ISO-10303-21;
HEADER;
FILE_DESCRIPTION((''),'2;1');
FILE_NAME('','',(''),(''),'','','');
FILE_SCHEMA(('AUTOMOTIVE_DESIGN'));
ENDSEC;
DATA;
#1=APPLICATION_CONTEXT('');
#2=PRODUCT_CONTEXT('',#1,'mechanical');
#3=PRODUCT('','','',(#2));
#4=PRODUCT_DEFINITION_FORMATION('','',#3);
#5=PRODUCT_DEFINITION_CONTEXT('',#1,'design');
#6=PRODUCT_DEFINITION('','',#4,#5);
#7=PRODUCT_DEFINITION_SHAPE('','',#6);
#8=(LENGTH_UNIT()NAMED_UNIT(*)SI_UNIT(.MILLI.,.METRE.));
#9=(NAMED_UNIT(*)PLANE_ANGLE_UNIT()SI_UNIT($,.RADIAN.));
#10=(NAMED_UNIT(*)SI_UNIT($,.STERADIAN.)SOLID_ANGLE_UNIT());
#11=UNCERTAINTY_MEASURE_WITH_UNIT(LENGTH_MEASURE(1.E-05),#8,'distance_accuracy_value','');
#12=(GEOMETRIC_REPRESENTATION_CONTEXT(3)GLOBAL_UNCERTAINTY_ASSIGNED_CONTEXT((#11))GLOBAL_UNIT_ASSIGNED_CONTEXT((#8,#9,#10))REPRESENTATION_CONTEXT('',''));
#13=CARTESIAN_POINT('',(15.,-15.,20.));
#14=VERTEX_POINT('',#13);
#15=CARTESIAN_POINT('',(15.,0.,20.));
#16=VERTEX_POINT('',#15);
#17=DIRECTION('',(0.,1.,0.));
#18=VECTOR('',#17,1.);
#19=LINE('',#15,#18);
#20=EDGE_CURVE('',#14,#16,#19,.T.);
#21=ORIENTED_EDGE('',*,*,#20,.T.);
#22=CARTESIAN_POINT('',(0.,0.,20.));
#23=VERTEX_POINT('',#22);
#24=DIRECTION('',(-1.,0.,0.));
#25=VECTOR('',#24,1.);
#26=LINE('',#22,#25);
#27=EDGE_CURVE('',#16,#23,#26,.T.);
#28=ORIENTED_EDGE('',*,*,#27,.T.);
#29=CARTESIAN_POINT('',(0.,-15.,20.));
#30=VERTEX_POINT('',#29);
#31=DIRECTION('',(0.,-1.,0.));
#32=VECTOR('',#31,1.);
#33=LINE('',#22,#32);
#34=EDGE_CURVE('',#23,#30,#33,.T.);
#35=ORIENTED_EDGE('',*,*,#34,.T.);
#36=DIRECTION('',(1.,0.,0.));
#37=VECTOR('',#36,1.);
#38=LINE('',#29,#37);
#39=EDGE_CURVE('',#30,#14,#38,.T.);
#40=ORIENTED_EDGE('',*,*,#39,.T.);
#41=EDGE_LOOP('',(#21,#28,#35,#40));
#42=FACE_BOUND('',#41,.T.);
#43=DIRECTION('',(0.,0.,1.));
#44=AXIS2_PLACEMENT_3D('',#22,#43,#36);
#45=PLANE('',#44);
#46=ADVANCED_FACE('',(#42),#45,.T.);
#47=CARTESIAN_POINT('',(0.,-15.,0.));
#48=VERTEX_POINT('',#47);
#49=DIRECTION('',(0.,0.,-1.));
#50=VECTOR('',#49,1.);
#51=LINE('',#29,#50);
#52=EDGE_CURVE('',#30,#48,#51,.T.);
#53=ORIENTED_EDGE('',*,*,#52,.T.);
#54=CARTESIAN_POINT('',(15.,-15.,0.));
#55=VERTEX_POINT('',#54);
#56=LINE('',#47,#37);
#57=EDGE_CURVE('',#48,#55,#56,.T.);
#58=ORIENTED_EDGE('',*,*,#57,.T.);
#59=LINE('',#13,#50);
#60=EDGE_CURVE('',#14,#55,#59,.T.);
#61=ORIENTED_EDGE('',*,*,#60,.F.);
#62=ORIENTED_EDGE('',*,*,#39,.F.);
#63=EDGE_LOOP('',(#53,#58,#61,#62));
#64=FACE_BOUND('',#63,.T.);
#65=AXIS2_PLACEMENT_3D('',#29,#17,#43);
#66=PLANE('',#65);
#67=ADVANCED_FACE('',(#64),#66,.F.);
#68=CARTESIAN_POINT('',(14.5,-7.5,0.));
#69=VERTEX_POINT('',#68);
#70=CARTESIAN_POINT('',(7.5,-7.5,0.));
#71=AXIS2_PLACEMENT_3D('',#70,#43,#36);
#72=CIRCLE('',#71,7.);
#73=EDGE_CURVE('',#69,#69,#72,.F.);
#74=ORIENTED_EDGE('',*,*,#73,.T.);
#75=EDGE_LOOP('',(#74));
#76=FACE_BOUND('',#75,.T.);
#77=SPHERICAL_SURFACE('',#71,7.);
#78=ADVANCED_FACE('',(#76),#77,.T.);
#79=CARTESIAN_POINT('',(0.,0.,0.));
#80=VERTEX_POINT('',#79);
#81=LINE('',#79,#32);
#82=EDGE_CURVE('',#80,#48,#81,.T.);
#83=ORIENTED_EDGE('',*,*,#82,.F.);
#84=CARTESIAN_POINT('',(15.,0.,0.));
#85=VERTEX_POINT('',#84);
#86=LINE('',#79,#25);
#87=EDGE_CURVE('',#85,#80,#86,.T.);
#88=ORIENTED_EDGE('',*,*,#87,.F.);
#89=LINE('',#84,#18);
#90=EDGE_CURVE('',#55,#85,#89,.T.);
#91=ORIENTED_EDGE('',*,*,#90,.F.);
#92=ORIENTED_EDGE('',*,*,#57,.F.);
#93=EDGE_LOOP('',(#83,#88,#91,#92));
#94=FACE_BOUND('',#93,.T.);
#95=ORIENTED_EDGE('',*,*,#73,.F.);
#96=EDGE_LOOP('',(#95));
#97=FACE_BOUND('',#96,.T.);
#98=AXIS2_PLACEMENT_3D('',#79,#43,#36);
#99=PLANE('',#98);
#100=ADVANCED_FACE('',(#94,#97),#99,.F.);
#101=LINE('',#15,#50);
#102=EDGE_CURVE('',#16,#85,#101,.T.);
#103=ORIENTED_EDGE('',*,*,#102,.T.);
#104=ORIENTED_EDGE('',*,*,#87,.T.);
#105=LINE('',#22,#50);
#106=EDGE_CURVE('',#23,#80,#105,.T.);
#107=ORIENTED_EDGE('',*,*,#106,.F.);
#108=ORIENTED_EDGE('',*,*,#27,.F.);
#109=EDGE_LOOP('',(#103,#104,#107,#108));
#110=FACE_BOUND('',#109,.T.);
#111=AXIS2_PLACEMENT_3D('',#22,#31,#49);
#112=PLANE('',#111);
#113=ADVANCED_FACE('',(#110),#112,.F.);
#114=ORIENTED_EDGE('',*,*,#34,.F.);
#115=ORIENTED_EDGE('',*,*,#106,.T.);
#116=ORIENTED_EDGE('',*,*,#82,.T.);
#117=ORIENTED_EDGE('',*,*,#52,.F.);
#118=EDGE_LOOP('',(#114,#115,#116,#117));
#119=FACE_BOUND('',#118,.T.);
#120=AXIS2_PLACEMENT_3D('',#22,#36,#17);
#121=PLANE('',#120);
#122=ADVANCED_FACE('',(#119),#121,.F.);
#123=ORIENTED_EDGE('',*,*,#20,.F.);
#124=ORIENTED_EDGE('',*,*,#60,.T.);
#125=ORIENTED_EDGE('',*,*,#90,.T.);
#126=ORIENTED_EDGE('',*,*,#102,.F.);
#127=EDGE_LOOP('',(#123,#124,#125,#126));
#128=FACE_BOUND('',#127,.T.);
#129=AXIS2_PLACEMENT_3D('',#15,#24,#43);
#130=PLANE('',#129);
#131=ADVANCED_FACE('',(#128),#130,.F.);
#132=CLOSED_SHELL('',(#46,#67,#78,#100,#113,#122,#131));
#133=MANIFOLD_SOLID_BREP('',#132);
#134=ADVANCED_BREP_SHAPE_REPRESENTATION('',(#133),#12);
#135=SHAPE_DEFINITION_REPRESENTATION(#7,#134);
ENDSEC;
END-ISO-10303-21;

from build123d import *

# Parameters (mm, degrees)
SKETCH1_W           = 15
SKETCH1_H           = 15
BOSS_EXTRUDE1_DEPTH = 20
REVOLVE1_ANGLE      = 180


with BuildPart() as part:
    # Sketch1 → Boss-Extrude1 (new body)
    with BuildSketch(Plane.XY):
        with Locations((7.5, -7.5)):
            Rectangle(SKETCH1_W, SKETCH1_H)
    extrude(amount=BOSS_EXTRUDE1_DEPTH)

    # Sketch2 → Revolve1 (revolve)
    with BuildSketch(Plane(origin=(0, 0, 0), x_dir=(-1, 0, 0), z_dir=(0, 0, -1))):
        with BuildLine():
            Line((-14.5, -7.5), (-0.5, -7.5))
            ThreePointArc((-0.5, -7.5), (-7.5, -14.5), (-14.5, -7.5))
        make_face()
    revolve(axis=Axis((14.5, -7.5, 0), (1, 0, 0)), revolution_arc=REVOLVE1_ANGLE)


solid = part.part
